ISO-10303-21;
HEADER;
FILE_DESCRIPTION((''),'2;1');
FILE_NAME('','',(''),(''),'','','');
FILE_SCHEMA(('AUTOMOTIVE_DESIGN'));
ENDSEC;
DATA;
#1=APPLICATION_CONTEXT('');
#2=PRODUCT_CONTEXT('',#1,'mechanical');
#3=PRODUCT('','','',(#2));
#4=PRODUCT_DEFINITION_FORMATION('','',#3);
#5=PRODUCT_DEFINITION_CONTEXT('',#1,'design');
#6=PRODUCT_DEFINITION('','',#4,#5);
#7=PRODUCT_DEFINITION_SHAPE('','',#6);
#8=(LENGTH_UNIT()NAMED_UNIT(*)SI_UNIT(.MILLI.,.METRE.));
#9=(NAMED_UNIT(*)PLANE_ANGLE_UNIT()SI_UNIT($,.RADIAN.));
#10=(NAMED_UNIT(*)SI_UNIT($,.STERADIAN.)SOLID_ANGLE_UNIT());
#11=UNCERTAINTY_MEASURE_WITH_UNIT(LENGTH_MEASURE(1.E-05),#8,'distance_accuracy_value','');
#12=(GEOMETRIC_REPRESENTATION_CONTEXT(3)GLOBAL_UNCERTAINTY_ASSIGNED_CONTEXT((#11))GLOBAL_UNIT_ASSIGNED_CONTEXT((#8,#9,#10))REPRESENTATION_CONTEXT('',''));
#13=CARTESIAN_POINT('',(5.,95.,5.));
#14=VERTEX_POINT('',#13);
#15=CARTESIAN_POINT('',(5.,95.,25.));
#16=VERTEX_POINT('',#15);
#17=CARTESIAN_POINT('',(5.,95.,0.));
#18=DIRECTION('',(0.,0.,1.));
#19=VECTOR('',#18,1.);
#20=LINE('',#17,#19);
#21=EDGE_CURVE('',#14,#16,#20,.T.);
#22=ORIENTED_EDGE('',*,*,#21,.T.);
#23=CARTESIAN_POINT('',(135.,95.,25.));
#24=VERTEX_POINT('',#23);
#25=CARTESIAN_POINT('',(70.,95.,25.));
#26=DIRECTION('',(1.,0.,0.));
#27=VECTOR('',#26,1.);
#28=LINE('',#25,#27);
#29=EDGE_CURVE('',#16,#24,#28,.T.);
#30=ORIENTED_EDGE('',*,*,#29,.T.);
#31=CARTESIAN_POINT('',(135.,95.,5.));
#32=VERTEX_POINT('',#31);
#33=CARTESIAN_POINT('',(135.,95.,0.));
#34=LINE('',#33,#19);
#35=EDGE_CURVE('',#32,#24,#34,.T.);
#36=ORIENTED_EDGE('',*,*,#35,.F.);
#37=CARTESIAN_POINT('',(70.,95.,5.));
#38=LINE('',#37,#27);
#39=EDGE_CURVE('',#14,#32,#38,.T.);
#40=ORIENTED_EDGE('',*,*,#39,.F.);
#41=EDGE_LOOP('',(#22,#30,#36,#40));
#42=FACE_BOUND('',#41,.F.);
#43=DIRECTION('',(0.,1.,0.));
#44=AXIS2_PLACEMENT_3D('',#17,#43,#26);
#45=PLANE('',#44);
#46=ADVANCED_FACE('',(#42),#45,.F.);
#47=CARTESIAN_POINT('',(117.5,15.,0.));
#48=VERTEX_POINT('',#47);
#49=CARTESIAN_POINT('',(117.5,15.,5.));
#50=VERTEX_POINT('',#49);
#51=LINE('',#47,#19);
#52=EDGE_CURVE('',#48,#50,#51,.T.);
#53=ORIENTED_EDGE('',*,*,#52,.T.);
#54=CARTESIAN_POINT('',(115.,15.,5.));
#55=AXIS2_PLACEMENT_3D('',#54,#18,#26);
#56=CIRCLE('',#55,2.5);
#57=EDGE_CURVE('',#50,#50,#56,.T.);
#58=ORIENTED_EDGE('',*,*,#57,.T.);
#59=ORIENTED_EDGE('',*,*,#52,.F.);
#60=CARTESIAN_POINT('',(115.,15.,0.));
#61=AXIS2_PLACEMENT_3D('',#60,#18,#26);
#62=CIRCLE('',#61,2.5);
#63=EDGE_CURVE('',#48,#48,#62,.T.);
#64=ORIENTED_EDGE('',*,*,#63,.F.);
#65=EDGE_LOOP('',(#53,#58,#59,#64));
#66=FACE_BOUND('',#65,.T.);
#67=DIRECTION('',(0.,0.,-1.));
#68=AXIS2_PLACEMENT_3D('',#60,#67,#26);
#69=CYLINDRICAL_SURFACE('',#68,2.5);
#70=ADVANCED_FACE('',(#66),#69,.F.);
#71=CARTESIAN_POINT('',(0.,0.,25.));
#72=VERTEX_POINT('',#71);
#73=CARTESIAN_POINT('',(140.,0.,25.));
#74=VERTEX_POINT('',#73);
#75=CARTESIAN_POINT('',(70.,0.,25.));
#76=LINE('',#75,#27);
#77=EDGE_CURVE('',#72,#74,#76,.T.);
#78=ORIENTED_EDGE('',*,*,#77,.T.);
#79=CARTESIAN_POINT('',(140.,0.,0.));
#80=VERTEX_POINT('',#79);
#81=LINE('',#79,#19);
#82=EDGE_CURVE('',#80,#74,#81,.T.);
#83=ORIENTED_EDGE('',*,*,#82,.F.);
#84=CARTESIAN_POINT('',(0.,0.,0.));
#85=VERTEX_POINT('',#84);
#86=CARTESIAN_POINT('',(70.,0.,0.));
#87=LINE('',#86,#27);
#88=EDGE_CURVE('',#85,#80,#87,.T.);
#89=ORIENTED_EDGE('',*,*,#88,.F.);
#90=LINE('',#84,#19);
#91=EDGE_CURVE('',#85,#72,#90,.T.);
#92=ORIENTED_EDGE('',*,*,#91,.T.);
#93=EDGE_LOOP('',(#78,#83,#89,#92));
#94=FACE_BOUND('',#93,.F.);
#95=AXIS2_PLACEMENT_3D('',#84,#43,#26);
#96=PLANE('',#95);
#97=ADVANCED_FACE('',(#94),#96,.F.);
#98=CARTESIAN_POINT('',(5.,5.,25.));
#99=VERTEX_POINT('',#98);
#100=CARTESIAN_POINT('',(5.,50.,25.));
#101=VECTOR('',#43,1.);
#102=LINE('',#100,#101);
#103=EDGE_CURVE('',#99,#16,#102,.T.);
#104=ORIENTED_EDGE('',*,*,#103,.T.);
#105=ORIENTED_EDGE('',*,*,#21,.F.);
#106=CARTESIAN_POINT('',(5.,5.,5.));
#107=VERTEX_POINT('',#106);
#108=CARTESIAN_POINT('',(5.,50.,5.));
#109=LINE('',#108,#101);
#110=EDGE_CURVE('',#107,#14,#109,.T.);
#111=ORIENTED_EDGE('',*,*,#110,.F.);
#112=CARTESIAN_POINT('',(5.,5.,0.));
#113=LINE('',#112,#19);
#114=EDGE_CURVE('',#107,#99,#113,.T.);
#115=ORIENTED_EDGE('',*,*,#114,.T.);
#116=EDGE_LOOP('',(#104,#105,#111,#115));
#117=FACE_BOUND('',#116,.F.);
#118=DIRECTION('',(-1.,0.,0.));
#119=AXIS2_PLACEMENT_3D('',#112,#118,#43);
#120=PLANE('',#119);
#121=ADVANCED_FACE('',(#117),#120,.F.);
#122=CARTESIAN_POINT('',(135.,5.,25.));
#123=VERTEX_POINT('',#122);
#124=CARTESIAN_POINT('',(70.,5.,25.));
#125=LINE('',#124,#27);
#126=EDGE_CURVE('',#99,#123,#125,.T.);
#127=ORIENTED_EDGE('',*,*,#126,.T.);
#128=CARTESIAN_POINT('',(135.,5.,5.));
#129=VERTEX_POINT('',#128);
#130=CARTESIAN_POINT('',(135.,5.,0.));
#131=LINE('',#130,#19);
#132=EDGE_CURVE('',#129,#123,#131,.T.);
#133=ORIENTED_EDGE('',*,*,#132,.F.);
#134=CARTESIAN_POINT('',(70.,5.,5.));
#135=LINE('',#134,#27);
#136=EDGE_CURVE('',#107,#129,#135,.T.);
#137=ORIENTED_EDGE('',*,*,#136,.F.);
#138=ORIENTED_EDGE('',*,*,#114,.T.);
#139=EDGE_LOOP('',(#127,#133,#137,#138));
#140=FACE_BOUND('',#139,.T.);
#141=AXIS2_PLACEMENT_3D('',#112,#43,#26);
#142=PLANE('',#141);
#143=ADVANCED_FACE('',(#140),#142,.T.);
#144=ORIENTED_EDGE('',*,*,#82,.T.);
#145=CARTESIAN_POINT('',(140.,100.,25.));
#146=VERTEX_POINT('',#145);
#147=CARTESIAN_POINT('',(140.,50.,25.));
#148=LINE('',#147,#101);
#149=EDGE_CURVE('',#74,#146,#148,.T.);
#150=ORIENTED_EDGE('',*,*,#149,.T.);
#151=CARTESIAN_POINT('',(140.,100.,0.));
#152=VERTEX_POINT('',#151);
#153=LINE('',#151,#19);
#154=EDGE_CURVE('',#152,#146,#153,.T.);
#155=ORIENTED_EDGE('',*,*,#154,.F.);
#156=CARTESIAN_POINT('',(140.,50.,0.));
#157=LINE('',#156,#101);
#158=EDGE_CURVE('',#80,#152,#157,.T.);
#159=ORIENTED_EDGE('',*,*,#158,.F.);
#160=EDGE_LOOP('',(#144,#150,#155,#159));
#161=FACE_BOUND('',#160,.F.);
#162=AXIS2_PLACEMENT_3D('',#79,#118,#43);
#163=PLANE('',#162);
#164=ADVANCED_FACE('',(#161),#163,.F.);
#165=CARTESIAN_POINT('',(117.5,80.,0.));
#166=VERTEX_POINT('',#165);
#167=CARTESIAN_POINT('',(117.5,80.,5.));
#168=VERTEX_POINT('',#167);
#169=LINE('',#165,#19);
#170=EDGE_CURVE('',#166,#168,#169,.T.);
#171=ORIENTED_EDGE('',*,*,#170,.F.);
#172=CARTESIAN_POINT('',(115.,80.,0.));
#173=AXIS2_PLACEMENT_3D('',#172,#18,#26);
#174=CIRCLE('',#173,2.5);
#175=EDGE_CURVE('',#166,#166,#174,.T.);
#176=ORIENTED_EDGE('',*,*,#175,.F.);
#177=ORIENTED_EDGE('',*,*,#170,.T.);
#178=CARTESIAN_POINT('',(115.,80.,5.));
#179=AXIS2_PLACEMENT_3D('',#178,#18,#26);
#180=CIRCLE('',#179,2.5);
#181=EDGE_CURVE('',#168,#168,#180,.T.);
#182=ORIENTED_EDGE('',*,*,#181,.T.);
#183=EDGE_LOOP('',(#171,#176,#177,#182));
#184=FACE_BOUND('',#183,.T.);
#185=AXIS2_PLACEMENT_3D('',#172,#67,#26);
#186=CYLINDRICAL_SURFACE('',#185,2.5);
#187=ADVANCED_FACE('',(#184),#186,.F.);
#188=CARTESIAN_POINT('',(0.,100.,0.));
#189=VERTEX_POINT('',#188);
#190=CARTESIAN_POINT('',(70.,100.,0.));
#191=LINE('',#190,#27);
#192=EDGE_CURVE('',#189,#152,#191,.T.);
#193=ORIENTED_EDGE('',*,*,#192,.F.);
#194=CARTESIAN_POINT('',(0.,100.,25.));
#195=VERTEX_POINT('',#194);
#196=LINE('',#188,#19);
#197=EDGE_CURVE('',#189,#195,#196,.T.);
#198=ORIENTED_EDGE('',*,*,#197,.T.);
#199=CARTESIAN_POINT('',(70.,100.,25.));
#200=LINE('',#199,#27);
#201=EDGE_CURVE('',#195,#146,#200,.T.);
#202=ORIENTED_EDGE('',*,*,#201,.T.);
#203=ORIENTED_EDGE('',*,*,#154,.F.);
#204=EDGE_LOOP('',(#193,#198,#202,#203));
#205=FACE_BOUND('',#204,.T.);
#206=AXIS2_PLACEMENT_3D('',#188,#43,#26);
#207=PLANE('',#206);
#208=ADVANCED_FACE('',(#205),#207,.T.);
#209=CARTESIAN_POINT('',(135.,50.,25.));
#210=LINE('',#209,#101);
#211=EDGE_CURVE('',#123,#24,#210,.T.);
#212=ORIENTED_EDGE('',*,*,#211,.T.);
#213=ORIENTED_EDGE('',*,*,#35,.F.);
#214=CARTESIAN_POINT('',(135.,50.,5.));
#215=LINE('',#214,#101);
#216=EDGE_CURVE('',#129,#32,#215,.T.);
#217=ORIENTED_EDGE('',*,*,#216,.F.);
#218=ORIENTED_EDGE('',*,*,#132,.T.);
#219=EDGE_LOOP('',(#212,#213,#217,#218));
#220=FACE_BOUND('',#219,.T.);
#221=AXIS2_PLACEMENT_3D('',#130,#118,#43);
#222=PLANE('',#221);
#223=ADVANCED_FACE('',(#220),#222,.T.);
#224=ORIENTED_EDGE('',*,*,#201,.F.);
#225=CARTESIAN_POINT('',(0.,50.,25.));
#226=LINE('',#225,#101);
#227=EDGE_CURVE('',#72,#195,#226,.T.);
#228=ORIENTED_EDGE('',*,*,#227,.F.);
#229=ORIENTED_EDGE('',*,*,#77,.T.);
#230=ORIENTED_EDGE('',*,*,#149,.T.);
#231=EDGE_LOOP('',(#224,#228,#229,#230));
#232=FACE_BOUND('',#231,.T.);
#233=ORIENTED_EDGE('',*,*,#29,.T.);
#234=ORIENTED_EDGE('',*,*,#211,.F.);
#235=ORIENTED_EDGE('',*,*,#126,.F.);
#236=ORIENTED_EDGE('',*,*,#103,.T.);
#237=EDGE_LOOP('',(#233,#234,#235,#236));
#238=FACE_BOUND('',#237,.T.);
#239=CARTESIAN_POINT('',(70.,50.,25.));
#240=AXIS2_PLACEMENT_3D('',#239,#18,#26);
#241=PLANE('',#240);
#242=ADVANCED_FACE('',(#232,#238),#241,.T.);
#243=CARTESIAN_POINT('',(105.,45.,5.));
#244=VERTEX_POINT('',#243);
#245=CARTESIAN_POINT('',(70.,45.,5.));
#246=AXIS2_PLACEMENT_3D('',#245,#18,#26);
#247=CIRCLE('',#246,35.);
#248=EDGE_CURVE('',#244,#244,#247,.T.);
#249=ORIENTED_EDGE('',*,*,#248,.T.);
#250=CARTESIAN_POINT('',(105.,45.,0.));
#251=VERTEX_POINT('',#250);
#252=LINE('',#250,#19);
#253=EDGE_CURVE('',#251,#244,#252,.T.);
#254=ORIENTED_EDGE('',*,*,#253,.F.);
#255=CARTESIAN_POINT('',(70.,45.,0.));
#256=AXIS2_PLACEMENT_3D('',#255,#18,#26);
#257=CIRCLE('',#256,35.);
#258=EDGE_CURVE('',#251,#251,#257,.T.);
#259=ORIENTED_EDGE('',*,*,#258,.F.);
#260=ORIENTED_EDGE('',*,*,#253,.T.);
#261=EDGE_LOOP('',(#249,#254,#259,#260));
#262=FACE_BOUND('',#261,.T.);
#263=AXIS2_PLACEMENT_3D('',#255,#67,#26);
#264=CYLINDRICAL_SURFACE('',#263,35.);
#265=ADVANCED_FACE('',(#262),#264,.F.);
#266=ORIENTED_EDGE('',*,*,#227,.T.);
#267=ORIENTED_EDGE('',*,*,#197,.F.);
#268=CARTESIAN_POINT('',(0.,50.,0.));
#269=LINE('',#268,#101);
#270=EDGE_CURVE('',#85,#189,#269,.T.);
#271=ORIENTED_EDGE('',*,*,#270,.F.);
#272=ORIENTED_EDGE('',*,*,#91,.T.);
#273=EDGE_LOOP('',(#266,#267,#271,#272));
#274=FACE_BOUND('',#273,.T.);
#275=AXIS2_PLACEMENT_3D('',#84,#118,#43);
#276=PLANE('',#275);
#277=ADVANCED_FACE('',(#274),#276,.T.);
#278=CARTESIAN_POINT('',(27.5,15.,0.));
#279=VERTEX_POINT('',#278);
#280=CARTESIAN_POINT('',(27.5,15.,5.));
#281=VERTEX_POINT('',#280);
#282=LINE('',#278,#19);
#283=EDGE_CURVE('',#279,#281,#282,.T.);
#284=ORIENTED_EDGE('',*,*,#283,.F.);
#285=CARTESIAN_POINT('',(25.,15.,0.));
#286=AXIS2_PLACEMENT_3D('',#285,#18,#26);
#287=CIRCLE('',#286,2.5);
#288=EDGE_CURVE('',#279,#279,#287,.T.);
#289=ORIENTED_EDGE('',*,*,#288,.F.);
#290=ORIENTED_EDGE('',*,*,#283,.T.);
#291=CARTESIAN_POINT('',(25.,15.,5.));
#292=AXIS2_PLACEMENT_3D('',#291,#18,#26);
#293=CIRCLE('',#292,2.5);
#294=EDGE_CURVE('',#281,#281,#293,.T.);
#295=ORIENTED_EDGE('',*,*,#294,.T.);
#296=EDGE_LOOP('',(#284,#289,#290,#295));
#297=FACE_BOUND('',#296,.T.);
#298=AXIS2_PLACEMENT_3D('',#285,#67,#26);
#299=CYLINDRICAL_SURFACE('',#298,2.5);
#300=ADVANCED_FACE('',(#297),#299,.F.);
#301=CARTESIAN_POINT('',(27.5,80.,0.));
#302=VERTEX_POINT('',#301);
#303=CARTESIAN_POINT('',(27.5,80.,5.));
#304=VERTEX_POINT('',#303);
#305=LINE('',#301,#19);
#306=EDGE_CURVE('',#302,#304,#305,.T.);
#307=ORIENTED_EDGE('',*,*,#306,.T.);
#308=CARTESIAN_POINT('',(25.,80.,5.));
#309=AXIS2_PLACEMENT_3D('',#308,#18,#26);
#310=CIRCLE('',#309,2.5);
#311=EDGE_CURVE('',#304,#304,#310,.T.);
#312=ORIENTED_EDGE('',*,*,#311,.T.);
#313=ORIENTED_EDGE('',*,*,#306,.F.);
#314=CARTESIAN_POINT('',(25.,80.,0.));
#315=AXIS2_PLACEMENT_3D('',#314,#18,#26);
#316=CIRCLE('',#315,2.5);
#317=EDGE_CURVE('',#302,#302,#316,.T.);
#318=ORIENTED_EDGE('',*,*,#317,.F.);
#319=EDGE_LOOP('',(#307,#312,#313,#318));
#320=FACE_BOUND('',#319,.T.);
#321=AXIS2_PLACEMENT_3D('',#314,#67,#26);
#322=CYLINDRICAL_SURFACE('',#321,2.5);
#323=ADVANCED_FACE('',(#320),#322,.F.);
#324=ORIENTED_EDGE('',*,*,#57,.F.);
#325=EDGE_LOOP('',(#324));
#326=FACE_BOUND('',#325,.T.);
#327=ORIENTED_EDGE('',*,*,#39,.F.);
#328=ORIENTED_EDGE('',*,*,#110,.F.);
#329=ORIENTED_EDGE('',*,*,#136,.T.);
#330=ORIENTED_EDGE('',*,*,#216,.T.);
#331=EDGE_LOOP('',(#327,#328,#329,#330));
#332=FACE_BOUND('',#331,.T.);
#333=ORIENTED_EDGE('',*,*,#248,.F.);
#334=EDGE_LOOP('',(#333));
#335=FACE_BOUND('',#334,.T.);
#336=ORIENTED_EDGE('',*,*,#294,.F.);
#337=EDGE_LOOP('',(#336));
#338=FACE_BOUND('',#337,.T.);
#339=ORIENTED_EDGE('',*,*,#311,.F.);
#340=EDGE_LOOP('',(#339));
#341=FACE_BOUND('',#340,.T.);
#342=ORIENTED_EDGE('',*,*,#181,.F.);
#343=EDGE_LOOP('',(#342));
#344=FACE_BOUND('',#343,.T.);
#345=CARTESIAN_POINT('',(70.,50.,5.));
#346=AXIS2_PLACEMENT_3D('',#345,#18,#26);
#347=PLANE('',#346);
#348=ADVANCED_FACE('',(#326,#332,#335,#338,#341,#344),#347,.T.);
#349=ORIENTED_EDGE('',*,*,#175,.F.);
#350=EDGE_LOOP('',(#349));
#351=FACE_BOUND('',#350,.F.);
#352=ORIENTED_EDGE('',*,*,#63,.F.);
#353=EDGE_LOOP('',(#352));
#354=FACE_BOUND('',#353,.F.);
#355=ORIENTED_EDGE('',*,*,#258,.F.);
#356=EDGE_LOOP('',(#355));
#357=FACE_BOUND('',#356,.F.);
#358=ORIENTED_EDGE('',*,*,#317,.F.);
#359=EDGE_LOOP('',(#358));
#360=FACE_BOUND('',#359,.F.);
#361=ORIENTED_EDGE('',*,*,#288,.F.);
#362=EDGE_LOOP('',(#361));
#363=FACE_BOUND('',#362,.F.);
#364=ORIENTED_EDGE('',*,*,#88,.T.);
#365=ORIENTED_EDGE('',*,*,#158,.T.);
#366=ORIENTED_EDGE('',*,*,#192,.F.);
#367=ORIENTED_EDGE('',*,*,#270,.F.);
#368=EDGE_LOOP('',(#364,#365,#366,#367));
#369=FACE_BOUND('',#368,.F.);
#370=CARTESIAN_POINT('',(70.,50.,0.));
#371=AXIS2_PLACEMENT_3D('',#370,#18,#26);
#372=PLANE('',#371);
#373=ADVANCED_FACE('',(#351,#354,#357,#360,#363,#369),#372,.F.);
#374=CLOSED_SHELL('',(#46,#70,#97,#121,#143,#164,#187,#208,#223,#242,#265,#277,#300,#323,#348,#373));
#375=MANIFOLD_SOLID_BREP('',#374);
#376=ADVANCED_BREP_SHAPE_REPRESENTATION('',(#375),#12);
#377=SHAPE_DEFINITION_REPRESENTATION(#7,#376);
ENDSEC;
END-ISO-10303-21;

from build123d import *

# Parameters (mm, degrees)
F0_W     = 140
F0_H     = 100
F0_W_2   = 130
F0_H_2   = 90
F1_DEPTH = 25
F0_R     = 2.5
F0_R_2   = 35
F2_DEPTH = 5


with BuildPart() as f1:
    # F0 (on Top) → F1 (new body)
    with BuildSketch(Plane.XY):
        with Locations((70, 50)):
            Rectangle(F0_W, F0_H)
        with Locations((70, 50)):
            Rectangle(F0_W_2, F0_H_2, mode=Mode.SUBTRACT)
    extrude(amount=F1_DEPTH)

    # F0 (on Top) → F2 (join)
    with BuildSketch(Plane.XY):
        with Locations((70, 50)):
            Rectangle(F0_W_2, F0_H_2)
        with Locations((25, 15)):
            Circle(F0_R, mode=Mode.SUBTRACT)
        with Locations((115, 15)):
            Circle(F0_R, mode=Mode.SUBTRACT)
        with Locations((70, 45)):
            Circle(F0_R_2, mode=Mode.SUBTRACT)
        with Locations((25, 80)):
            Circle(F0_R, mode=Mode.SUBTRACT)
        with Locations((115, 80)):
            Circle(F0_R, mode=Mode.SUBTRACT)
    extrude(amount=F2_DEPTH)


solid = f1.part
